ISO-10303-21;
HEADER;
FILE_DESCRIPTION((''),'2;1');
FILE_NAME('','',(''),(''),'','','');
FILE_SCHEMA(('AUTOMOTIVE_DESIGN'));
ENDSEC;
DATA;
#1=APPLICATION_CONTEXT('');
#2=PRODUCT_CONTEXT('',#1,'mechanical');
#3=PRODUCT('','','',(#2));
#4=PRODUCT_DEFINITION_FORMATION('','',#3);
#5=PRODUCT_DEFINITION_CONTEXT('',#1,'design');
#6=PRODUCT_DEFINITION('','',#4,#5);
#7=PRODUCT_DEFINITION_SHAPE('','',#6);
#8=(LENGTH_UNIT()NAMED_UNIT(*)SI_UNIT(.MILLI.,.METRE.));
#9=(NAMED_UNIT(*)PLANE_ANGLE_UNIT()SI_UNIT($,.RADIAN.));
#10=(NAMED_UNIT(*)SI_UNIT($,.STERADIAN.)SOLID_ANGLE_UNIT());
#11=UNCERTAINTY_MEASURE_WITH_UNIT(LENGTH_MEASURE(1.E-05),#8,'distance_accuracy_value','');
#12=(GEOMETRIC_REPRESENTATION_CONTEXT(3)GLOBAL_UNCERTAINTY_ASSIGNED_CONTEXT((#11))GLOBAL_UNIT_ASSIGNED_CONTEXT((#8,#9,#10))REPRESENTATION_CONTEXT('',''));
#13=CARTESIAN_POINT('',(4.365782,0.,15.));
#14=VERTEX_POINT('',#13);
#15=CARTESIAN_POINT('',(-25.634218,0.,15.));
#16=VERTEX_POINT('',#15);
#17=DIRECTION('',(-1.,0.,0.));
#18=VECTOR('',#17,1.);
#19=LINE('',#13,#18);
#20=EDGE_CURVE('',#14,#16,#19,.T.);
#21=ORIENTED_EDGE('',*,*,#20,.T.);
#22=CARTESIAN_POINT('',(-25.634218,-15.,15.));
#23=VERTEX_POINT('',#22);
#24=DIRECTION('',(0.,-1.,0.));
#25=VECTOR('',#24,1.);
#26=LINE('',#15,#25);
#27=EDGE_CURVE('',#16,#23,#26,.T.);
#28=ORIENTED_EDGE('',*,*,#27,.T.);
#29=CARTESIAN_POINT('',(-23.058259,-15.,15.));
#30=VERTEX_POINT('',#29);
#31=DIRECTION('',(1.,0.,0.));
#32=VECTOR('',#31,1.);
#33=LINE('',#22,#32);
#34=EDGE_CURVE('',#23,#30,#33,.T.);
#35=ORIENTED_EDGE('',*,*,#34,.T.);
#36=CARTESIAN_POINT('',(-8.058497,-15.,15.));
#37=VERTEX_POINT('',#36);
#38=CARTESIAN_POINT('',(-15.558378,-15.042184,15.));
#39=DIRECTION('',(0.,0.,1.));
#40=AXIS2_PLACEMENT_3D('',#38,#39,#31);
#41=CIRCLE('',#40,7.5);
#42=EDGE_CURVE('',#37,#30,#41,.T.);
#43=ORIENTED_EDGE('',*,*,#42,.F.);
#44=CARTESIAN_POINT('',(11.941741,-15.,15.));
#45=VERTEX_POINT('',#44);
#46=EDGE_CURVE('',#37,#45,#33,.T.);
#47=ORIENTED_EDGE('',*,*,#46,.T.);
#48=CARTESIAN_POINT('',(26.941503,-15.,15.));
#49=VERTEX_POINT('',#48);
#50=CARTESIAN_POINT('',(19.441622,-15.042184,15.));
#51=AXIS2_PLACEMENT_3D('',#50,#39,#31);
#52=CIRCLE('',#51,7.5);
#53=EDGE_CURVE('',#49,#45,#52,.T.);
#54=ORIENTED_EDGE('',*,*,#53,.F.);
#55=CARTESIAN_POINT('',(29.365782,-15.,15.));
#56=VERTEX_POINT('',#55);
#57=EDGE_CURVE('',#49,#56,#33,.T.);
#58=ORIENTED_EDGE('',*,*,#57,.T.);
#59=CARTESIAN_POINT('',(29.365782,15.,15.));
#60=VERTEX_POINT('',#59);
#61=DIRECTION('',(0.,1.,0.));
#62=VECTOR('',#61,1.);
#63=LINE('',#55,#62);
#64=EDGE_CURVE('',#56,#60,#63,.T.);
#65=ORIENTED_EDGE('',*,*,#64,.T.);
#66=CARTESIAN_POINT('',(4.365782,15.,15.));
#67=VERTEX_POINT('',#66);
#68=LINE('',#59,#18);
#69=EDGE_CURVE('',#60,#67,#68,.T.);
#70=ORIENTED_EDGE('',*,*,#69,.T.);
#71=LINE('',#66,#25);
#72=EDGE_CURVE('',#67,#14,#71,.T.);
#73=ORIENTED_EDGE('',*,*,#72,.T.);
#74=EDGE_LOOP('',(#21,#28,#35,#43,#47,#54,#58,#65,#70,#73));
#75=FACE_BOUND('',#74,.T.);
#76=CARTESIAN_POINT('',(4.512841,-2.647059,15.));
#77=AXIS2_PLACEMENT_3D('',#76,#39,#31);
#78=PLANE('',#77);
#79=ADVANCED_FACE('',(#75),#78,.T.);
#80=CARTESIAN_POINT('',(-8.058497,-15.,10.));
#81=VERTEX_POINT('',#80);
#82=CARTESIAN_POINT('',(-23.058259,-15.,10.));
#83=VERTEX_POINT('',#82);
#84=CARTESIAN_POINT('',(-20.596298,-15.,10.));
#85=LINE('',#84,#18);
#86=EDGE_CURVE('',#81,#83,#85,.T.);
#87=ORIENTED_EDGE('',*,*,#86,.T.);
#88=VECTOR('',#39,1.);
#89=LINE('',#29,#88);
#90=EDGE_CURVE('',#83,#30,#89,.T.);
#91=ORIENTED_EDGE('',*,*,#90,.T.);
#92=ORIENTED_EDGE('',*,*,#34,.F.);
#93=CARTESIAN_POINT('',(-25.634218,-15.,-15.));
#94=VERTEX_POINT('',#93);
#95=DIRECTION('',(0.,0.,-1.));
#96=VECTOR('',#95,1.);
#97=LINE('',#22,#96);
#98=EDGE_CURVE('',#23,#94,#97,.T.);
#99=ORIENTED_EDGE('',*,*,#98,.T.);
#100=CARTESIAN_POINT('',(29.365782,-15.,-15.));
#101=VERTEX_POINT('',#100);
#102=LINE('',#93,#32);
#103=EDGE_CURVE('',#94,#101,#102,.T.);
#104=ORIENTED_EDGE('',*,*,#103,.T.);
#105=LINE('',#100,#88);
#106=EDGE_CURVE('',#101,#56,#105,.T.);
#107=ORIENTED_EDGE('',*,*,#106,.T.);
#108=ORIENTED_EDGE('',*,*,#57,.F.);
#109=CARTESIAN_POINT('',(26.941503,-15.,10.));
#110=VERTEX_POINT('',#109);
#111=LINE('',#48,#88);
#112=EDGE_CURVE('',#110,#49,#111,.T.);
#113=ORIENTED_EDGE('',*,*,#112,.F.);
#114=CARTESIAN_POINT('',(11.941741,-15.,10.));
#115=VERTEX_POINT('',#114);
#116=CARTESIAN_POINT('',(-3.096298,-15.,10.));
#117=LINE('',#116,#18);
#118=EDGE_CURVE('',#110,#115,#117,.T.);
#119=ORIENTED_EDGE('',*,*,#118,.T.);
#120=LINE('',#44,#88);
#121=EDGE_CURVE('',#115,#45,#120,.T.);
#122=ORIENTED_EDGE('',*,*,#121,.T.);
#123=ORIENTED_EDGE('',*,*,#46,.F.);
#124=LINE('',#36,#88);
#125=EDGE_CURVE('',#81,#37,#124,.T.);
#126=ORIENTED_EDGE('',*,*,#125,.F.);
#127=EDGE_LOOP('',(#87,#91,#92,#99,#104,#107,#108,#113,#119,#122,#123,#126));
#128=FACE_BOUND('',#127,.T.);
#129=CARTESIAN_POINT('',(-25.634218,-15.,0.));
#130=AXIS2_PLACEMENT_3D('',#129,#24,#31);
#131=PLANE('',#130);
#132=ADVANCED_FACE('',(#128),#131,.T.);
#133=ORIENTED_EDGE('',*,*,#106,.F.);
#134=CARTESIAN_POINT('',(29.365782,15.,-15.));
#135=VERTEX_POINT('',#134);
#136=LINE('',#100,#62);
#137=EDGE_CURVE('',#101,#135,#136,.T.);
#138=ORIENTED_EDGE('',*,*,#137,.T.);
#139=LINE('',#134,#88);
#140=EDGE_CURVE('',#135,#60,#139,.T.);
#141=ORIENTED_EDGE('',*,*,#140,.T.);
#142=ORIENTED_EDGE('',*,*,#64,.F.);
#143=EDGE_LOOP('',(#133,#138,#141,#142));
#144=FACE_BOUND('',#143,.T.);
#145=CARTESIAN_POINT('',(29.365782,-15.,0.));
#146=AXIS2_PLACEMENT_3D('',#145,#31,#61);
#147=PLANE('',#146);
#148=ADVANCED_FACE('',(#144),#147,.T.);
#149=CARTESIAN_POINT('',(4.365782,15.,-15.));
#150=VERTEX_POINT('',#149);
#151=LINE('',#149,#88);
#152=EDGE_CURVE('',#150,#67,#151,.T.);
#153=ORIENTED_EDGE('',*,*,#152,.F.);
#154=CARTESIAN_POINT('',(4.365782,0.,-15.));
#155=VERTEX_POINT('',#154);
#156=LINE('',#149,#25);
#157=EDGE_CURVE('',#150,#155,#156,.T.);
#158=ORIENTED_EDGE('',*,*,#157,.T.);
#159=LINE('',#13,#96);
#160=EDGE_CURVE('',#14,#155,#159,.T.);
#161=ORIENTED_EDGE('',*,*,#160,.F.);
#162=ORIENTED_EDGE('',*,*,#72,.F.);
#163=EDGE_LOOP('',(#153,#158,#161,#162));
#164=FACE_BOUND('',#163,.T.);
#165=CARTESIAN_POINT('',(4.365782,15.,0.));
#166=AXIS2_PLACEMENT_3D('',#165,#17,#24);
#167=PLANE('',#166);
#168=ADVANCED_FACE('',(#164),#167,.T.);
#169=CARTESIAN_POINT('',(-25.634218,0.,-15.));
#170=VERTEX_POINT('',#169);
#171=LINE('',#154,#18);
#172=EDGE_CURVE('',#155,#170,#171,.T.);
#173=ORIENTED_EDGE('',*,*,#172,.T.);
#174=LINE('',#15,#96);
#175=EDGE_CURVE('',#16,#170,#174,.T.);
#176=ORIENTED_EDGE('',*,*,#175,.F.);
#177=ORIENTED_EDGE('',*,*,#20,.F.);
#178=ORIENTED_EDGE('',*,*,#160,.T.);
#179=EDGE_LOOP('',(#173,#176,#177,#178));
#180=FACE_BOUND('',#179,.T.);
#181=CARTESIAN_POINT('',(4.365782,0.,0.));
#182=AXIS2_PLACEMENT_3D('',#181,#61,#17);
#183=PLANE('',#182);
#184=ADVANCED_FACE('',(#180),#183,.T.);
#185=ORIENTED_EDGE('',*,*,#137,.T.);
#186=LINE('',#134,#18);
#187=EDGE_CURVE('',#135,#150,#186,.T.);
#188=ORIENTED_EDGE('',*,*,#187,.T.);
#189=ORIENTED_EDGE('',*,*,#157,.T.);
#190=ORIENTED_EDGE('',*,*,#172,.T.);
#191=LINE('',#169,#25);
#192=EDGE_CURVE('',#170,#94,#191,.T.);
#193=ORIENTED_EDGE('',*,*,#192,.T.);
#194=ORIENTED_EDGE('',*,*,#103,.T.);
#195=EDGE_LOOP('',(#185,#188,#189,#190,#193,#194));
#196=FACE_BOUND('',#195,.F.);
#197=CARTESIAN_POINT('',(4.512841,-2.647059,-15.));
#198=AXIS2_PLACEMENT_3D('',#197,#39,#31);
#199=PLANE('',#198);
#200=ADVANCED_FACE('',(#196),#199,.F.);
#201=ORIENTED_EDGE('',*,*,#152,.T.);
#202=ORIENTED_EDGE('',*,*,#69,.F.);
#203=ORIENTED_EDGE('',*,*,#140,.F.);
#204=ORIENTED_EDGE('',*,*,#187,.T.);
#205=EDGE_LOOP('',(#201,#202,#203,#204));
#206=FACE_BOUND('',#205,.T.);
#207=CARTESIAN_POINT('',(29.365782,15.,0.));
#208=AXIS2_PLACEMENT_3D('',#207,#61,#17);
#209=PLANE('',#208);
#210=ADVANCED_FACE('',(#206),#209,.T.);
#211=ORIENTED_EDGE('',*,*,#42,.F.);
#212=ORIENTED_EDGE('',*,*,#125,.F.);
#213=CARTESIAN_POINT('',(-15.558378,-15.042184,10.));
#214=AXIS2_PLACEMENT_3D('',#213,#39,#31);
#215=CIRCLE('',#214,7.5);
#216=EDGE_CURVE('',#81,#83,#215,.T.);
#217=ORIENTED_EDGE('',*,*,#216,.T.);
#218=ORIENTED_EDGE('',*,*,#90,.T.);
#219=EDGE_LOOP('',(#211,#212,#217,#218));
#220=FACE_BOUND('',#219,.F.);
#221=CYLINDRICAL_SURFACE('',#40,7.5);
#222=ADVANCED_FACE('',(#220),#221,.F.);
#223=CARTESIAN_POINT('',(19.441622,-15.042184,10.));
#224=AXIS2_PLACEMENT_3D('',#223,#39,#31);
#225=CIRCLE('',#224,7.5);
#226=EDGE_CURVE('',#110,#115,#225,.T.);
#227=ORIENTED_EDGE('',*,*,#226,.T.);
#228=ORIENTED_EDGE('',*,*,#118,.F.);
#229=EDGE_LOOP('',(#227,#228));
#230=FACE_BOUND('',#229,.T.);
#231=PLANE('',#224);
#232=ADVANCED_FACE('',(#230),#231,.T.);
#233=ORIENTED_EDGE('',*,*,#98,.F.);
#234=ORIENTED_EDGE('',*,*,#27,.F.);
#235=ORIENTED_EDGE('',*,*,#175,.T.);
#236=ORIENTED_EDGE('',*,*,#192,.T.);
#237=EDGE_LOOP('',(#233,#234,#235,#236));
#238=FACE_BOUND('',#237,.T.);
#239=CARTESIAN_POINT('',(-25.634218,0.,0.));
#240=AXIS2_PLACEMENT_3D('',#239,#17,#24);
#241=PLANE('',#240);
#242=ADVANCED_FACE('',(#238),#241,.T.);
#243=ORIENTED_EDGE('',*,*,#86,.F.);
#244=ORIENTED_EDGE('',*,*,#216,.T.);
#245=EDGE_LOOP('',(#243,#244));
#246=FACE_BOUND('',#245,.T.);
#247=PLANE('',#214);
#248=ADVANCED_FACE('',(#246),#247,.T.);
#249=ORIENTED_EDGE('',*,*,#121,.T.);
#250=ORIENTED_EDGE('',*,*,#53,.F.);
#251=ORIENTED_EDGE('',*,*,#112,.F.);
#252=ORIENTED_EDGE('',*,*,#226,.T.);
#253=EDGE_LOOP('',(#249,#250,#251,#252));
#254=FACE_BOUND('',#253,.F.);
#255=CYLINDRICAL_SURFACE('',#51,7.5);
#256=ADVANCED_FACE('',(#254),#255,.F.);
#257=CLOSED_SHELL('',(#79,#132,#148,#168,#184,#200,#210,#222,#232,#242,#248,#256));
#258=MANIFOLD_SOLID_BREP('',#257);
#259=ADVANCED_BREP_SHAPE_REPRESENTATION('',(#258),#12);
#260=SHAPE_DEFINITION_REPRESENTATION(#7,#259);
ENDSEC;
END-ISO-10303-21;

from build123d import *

# Parameters (mm, degrees)
F1_DEPTH = 15
F2_R     = 7.5
F3_DEPTH = 5


with BuildPart() as f1:
    # F0 (on Top) → F1 (new body, symmetric)
    with BuildSketch(Plane.XY):
        Polygon((-25.634218, -15), (29.365782, -15), (29.365782, 15), (4.365782, 15), (4.365782, 0), (-25.634218, 0), align=None)
    extrude(amount=F1_DEPTH, both=True)

    # F2 (on face) → F3 (cut)
    with BuildSketch(Plane.XY.offset(15)):
        with Locations((-15.558378, -15.042184)):
            Circle(F2_R)
        with Locations((19.441622, -15.042184)):
            Circle(F2_R)
    extrude(amount=-F3_DEPTH, mode=Mode.SUBTRACT)


solid = f1.part
